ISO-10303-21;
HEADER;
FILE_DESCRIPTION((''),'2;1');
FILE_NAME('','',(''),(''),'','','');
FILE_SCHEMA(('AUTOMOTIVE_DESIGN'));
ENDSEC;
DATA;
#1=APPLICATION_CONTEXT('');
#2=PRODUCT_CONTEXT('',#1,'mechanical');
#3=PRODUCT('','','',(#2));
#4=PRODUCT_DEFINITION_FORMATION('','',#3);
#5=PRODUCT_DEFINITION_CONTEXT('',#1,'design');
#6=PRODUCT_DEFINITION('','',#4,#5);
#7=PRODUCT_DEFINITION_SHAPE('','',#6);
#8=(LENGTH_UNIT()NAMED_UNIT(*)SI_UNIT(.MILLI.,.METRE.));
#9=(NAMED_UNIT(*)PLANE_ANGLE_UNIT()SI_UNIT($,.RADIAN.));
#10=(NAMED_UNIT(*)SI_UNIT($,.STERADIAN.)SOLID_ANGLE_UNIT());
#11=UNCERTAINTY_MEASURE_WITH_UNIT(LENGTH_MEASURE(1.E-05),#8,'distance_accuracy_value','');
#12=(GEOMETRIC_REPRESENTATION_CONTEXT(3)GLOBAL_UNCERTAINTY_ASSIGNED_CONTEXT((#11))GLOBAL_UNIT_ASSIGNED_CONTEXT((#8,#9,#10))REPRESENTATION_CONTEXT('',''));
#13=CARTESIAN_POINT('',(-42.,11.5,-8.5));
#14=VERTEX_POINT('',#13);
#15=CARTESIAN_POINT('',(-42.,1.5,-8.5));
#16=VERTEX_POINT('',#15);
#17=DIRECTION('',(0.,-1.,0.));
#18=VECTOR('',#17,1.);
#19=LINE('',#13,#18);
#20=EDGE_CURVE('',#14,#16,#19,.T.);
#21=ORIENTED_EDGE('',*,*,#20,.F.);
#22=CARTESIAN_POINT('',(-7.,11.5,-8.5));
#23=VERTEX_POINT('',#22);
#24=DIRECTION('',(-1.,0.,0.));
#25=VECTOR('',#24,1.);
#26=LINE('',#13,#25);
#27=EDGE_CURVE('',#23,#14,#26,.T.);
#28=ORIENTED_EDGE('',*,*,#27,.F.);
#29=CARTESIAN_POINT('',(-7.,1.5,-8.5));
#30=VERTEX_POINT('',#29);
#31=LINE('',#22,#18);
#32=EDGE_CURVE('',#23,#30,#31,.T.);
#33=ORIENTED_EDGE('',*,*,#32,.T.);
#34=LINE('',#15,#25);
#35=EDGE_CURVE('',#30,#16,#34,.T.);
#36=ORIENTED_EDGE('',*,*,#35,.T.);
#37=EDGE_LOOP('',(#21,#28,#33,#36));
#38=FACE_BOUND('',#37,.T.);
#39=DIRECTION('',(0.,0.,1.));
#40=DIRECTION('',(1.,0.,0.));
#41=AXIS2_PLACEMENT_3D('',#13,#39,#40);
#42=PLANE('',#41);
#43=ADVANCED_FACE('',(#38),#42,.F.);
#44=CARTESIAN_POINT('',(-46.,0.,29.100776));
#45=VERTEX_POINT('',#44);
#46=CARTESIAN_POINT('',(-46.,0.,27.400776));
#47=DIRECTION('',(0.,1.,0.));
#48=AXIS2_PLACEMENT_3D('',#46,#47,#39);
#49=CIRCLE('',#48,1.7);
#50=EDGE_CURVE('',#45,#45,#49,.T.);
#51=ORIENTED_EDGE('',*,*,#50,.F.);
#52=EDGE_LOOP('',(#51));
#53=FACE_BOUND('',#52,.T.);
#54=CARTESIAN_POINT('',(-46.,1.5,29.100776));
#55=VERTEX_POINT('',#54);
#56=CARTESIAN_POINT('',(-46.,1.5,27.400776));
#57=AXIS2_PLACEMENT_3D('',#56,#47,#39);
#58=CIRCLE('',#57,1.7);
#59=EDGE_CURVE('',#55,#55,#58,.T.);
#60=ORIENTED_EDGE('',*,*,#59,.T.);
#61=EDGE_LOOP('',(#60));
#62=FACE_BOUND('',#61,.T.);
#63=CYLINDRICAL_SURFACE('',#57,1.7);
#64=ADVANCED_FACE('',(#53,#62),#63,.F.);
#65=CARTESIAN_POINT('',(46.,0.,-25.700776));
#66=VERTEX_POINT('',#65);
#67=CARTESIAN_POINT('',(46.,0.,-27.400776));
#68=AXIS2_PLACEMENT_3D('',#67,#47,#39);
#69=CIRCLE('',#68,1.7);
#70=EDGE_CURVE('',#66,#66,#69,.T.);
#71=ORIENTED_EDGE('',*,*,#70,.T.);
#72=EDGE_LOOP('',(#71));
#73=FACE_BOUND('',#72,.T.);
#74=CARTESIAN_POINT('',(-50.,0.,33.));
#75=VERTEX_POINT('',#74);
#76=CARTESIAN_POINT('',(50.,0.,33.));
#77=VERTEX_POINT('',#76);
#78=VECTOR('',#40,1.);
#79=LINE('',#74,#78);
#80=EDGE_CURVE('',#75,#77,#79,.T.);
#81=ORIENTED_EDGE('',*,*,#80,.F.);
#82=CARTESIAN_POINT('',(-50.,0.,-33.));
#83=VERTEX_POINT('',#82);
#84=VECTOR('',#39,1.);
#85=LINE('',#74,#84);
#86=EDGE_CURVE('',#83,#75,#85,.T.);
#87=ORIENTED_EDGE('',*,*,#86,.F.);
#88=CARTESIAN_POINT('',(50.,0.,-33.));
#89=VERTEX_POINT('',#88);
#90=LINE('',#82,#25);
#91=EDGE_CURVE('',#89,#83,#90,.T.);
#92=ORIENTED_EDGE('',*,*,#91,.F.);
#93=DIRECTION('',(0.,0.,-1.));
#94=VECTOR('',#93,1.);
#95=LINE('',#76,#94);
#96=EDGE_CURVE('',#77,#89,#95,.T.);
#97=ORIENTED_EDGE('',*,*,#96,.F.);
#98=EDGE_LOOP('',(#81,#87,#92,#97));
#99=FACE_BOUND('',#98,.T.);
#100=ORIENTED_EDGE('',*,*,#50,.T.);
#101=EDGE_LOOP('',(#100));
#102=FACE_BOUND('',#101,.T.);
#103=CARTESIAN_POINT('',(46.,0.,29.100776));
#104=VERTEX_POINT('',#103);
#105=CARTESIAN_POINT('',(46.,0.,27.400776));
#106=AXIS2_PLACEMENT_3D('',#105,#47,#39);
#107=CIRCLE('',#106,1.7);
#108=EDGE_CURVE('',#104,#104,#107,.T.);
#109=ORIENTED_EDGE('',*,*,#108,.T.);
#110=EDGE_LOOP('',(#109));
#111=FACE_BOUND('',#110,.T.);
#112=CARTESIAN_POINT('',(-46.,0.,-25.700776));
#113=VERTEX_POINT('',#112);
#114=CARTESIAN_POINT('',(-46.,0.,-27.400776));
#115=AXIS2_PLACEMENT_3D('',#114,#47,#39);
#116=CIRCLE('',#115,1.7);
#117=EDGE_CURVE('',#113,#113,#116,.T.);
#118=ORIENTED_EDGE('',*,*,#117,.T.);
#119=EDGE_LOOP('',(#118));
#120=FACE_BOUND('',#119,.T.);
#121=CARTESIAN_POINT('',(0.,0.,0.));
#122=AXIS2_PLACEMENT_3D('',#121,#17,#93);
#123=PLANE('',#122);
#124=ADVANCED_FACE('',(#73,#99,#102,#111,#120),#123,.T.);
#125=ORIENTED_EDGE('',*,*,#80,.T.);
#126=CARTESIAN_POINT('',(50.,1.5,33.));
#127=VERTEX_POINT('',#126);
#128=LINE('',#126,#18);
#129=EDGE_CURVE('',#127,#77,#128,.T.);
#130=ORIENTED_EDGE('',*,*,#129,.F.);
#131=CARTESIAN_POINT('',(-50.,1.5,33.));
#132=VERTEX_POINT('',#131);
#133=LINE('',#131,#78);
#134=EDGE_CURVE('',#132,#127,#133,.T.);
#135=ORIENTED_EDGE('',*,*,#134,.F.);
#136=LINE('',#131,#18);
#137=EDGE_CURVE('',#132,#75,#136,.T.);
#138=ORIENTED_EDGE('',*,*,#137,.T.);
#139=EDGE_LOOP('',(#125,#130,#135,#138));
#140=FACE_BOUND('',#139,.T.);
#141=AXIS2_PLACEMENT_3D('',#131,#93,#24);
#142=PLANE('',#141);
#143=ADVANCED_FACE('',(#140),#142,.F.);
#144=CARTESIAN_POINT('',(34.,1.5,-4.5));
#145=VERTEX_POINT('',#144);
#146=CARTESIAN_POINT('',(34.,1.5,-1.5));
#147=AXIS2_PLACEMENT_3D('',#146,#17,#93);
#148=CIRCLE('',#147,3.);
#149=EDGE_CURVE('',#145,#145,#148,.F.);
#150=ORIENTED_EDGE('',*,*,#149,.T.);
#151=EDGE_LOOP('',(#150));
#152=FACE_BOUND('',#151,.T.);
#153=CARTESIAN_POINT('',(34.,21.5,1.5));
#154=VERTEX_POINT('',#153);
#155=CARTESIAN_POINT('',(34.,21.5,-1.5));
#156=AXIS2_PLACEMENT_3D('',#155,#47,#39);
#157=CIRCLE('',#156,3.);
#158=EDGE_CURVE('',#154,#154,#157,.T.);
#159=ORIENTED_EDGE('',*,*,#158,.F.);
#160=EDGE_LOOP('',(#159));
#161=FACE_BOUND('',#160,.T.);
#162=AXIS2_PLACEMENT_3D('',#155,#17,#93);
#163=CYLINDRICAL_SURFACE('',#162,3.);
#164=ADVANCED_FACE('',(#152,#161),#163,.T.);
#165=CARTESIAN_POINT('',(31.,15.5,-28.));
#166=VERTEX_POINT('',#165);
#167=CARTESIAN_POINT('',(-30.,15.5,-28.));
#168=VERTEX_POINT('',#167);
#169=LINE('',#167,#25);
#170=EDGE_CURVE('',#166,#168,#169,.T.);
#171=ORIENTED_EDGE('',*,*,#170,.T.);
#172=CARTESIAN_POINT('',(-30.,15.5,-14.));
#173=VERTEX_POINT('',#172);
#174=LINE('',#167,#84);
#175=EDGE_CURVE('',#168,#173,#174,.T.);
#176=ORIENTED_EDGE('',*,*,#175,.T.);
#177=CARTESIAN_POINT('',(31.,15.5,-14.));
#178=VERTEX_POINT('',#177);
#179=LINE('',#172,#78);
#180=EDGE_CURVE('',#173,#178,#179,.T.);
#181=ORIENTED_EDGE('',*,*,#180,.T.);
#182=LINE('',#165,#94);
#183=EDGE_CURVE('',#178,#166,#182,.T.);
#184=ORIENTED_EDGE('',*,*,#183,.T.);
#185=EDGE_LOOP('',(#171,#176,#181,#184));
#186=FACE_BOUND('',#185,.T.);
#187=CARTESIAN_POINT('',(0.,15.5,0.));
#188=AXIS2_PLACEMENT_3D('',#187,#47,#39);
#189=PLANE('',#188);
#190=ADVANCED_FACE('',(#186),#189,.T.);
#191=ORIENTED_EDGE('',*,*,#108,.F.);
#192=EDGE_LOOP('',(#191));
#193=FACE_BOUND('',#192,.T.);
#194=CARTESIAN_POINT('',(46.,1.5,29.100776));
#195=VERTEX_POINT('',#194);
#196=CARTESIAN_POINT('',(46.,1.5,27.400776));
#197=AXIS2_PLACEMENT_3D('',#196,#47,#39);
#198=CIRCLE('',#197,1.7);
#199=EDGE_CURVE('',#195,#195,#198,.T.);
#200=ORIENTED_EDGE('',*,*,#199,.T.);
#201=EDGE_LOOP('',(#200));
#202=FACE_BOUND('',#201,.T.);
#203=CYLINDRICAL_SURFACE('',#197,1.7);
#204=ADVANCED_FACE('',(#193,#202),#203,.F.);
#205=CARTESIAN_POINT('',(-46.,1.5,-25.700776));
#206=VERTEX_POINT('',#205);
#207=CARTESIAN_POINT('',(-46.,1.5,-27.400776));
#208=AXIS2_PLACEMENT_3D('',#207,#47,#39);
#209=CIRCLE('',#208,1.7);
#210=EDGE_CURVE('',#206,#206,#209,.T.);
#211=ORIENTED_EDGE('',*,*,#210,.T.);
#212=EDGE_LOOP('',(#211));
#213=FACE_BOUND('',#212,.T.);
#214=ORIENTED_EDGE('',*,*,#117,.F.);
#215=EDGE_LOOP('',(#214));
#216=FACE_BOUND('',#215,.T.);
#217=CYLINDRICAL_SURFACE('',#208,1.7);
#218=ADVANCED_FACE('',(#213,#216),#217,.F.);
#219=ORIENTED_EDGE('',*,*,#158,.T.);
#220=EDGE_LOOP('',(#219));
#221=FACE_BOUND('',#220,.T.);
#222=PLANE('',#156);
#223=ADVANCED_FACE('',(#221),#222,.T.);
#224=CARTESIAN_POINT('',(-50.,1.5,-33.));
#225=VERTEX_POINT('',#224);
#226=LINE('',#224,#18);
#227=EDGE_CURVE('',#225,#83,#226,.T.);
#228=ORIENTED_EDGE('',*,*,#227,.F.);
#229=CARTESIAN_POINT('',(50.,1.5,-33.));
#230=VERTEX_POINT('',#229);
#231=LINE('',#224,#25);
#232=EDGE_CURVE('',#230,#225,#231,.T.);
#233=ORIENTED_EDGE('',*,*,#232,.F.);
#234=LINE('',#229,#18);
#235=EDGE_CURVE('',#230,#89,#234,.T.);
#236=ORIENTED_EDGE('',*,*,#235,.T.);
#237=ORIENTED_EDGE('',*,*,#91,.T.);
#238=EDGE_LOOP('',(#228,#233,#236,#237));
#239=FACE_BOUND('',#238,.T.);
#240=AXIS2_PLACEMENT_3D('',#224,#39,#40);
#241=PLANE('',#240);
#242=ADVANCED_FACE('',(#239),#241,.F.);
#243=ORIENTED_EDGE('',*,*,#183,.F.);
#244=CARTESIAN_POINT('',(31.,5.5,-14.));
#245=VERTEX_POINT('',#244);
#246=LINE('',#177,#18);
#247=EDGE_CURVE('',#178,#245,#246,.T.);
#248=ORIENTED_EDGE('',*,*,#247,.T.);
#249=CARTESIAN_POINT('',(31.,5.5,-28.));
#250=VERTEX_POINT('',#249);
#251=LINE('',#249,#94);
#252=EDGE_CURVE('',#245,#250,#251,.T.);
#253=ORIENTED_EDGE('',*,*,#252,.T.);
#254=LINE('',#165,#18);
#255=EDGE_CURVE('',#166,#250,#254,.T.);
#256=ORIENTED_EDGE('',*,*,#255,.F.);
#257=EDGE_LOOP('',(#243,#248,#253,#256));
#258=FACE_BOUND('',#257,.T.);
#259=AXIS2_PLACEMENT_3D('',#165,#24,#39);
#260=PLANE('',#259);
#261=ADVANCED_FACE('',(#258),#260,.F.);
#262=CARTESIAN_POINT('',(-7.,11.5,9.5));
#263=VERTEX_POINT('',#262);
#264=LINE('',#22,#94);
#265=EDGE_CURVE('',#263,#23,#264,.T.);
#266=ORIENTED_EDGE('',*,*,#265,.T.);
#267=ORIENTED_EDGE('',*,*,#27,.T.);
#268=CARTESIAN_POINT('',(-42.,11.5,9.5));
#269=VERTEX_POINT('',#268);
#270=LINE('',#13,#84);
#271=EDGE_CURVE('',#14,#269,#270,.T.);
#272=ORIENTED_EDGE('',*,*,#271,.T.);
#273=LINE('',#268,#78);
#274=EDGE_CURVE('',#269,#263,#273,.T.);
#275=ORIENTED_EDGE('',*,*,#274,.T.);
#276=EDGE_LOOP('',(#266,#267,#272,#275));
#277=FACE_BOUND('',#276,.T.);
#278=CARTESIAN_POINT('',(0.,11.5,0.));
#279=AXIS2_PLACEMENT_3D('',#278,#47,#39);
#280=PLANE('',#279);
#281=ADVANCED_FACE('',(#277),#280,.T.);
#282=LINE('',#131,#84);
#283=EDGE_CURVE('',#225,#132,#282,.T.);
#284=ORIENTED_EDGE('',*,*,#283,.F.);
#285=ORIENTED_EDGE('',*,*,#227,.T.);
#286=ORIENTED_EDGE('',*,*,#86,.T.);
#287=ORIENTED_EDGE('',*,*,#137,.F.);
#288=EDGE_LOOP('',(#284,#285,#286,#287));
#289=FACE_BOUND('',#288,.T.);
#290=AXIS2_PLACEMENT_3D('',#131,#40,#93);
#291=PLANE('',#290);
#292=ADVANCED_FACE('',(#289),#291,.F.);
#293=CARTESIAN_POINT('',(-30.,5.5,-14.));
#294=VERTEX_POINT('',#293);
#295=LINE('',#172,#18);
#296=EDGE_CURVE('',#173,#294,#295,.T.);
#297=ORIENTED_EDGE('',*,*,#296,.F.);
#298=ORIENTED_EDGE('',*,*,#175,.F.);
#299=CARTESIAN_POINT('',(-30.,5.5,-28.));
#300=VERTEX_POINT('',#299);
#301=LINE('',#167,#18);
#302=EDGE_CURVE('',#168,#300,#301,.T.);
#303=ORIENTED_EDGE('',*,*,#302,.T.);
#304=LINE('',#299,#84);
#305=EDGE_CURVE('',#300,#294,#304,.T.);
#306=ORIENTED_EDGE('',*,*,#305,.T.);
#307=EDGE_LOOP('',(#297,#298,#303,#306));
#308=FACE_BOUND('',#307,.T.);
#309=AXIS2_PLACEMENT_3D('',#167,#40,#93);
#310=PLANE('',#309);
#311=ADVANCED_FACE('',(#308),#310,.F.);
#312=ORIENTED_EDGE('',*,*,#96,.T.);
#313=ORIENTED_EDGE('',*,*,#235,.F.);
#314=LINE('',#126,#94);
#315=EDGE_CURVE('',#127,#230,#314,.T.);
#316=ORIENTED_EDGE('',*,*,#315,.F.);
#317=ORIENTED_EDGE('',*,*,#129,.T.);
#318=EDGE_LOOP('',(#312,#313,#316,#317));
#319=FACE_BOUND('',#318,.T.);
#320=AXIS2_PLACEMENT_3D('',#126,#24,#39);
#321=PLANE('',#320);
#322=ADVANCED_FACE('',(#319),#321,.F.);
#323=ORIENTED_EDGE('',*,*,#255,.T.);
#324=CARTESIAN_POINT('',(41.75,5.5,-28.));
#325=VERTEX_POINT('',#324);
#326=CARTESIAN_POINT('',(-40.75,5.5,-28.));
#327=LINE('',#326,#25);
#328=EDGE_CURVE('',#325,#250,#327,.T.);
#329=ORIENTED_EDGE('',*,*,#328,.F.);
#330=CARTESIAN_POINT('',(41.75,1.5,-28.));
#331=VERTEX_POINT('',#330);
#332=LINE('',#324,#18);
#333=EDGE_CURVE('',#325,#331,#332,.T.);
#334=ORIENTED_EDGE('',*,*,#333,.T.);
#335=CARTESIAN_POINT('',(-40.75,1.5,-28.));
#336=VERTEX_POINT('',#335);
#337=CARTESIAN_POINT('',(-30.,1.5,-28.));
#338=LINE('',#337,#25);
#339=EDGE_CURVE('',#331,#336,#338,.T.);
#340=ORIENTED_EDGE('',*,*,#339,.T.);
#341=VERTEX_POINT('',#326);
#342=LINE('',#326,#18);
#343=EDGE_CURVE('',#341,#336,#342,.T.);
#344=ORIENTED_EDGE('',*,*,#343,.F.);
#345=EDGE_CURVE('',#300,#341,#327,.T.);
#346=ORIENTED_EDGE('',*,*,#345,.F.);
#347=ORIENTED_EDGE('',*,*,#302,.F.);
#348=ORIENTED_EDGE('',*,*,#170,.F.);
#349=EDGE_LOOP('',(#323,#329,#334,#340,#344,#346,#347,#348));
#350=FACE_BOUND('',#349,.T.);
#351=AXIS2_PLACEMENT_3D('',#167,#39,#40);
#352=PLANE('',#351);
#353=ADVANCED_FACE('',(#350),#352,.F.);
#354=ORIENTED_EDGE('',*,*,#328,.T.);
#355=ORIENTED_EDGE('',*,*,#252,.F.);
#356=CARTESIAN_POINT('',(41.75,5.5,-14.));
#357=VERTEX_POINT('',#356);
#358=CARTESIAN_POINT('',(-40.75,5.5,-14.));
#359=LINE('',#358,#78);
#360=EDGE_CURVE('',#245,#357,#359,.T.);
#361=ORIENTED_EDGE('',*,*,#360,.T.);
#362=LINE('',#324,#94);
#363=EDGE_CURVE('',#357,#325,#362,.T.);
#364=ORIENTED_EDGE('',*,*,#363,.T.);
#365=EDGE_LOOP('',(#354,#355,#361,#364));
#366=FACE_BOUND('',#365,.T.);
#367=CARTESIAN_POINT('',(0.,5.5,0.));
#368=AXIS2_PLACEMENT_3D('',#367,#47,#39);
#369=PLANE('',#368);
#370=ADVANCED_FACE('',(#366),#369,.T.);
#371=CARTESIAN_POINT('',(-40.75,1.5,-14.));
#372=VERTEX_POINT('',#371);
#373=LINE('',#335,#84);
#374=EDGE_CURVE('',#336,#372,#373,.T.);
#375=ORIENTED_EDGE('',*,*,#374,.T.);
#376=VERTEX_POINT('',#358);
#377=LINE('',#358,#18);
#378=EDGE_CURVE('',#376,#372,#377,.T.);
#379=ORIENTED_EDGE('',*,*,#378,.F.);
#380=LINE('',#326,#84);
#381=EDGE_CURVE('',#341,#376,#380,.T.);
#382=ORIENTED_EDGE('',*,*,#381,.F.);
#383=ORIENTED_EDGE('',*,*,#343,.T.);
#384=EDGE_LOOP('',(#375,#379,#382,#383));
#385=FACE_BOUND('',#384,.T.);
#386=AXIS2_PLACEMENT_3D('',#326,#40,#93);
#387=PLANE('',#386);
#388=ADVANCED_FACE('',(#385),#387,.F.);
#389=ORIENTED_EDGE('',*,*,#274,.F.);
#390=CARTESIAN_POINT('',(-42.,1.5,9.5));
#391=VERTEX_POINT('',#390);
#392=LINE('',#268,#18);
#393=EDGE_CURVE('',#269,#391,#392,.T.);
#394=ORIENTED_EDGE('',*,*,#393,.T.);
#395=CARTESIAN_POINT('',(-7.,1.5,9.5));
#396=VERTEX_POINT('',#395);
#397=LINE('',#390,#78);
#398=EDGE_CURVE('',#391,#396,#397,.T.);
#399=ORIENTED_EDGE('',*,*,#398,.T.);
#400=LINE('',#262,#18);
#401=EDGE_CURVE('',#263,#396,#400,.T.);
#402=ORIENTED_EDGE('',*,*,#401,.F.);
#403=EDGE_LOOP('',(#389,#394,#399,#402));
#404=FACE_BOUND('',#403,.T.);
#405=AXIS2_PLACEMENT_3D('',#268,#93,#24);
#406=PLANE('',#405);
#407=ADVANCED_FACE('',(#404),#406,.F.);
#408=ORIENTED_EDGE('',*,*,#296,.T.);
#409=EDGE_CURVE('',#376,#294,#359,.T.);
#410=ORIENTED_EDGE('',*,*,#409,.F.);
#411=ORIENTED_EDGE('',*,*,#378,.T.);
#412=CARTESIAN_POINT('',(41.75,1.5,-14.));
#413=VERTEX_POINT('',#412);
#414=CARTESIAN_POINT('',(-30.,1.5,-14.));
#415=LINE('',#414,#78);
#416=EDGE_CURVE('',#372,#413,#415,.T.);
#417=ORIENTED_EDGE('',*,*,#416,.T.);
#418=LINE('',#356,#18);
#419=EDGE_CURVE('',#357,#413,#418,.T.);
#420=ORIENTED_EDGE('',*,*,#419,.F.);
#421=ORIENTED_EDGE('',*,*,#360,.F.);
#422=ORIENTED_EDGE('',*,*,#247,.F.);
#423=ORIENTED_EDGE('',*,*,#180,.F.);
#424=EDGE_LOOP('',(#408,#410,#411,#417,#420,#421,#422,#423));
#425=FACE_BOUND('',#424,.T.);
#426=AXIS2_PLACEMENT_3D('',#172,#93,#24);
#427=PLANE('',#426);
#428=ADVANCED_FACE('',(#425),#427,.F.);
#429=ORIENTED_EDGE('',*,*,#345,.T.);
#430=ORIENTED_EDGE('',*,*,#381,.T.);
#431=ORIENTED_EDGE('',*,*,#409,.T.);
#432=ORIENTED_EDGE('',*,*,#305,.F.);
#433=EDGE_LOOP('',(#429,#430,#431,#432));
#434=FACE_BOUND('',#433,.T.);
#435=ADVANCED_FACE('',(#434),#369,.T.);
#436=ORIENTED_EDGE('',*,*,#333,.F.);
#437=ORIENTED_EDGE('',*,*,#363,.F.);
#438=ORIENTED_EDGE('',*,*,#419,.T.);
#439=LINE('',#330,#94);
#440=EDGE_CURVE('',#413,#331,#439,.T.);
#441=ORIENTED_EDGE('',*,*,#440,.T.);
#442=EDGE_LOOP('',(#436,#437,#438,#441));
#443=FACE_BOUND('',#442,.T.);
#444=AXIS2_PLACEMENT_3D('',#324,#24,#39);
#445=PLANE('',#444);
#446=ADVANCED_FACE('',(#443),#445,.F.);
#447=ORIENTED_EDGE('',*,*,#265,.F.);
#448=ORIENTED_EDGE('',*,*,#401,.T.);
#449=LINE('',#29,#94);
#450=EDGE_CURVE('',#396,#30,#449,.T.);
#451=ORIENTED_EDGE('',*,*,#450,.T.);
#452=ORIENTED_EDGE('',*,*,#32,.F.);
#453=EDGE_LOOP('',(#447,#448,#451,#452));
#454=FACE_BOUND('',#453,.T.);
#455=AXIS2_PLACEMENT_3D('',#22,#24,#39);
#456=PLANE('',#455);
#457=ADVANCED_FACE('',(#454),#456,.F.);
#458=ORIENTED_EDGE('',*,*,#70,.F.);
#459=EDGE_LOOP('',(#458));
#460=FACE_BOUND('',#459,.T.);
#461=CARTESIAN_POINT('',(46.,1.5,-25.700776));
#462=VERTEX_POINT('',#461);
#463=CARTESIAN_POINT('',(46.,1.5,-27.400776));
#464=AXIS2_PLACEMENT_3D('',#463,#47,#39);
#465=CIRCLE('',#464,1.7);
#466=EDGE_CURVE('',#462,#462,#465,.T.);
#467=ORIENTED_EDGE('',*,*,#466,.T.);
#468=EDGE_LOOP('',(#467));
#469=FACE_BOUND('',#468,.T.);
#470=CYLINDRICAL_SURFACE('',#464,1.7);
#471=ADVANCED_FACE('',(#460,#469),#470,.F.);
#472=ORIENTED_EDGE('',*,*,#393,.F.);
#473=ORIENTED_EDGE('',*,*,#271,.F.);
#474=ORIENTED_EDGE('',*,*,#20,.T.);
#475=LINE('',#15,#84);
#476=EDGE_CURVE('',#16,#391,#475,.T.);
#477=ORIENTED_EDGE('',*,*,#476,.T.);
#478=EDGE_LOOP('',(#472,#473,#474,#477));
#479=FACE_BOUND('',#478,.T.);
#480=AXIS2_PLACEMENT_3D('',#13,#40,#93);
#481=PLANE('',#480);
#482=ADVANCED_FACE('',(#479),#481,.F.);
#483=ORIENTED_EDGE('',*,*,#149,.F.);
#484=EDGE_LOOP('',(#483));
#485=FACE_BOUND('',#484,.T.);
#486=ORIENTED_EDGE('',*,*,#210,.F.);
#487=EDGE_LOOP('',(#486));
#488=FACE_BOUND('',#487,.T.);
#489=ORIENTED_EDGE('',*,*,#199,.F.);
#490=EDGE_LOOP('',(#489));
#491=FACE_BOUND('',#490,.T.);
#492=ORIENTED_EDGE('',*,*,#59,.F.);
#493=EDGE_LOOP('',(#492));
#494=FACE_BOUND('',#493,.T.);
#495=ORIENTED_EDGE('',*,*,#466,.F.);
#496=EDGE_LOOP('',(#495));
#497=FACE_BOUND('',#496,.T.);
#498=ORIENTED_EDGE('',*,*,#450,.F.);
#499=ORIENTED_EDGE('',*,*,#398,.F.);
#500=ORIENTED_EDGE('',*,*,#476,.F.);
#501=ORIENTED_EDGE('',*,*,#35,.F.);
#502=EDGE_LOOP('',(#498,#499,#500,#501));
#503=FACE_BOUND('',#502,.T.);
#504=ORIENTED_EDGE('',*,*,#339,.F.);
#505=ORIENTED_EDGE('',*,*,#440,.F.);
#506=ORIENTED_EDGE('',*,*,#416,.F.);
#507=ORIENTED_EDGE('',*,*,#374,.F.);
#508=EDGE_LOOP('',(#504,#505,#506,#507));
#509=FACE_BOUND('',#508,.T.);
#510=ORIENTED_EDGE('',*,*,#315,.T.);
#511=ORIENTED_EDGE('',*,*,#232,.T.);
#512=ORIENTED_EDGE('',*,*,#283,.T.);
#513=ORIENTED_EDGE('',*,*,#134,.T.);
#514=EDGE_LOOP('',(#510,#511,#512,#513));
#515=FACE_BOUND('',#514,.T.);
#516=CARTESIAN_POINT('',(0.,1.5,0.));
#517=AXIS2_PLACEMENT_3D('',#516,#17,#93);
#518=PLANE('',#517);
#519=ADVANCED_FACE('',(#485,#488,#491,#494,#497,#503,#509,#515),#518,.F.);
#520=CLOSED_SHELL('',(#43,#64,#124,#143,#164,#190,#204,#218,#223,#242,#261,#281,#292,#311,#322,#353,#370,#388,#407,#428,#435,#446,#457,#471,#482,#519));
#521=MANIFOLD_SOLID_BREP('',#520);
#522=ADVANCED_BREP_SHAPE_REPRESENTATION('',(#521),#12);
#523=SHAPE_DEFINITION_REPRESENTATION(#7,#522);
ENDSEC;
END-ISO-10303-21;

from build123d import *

# Parameters (mm, degrees)
SKIZZE1_W                       = 100
SKIZZE1_H                       = 66
AUFSATZ_LINEAR_AUSTRAGEN1_DEPTH = 1.5
SKIZZE2_W                       = 61
SKIZZE2_H                       = 14
AUFSATZ_LINEAR_AUSTRAGEN2_DEPTH = 14
SKIZZE6_W                       = 82.5
SKIZZE6_H                       = 14
AUFSATZ_LINEAR_AUSTRAGEN4_DEPTH = 4
SKIZZE3_R                       = 3
AUFSATZ_LINEAR_AUSTRAGEN3_DEPTH = 20
DURCHGANGSLOCH_F_R_M31_D        = 3.4
SKIZZE7_W                       = 35
SKIZZE7_H                       = 18
AUFSATZ_LINEAR_AUSTRAGEN5_DEPTH = 10


with BuildPart() as part:
    # Skizze1 → Aufsatz-Linear austragen1 (new body)
    with BuildSketch(Plane(origin=(0, 0, 0), x_dir=(1, 0, 0), z_dir=(0, 1, 0))):
        Rectangle(SKIZZE1_W, SKIZZE1_H)
    extrude(amount=AUFSATZ_LINEAR_AUSTRAGEN1_DEPTH)

    # Skizze2 → Aufsatz-Linear austragen2 (add)
    with BuildSketch(Plane(origin=(0, 1.5, 0), x_dir=(1, 0, 0), z_dir=(0, 1, 0))):
        with Locations((0.5, 21)):
            Rectangle(SKIZZE2_W, SKIZZE2_H)
    extrude(amount=AUFSATZ_LINEAR_AUSTRAGEN2_DEPTH)

    # Skizze6 → Aufsatz-Linear austragen4 (add)
    with BuildSketch(Plane(origin=(0, 1.5, 0), x_dir=(1, 0, 0), z_dir=(0, 1, 0))):
        with Locations((0.5, 21)):
            Rectangle(SKIZZE6_W, SKIZZE6_H)
    extrude(amount=AUFSATZ_LINEAR_AUSTRAGEN4_DEPTH)

    # Skizze3 → Aufsatz-Linear austragen3 (add)
    with BuildSketch(Plane(origin=(0, 1.5, 0), x_dir=(1, 0, 0), z_dir=(0, 1, 0))):
        with Locations((34, 1.5)):
            Circle(SKIZZE3_R)
    extrude(amount=AUFSATZ_LINEAR_AUSTRAGEN3_DEPTH)

    # Durchgangsloch für M31 (through all)
    with Locations(Plane(origin=(0, 1.5, 0), x_dir=(1, 0, 0), z_dir=(0, 1, 0))):
        with Locations((-46, -27.400776428), (-46, 27.400776428), (46, 27.400776428), (46, -27.400776428)):
            Hole(DURCHGANGSLOCH_F_R_M31_D / 2)

    # Skizze7 → Aufsatz-Linear austragen5 (add)
    with BuildSketch(Plane(origin=(0, 1.5, 0), x_dir=(1, 0, 0), z_dir=(0, 1, 0))):
        with Locations((-24.5, -0.5)):
            Rectangle(SKIZZE7_W, SKIZZE7_H)
    extrude(amount=AUFSATZ_LINEAR_AUSTRAGEN5_DEPTH)


solid = part.part
